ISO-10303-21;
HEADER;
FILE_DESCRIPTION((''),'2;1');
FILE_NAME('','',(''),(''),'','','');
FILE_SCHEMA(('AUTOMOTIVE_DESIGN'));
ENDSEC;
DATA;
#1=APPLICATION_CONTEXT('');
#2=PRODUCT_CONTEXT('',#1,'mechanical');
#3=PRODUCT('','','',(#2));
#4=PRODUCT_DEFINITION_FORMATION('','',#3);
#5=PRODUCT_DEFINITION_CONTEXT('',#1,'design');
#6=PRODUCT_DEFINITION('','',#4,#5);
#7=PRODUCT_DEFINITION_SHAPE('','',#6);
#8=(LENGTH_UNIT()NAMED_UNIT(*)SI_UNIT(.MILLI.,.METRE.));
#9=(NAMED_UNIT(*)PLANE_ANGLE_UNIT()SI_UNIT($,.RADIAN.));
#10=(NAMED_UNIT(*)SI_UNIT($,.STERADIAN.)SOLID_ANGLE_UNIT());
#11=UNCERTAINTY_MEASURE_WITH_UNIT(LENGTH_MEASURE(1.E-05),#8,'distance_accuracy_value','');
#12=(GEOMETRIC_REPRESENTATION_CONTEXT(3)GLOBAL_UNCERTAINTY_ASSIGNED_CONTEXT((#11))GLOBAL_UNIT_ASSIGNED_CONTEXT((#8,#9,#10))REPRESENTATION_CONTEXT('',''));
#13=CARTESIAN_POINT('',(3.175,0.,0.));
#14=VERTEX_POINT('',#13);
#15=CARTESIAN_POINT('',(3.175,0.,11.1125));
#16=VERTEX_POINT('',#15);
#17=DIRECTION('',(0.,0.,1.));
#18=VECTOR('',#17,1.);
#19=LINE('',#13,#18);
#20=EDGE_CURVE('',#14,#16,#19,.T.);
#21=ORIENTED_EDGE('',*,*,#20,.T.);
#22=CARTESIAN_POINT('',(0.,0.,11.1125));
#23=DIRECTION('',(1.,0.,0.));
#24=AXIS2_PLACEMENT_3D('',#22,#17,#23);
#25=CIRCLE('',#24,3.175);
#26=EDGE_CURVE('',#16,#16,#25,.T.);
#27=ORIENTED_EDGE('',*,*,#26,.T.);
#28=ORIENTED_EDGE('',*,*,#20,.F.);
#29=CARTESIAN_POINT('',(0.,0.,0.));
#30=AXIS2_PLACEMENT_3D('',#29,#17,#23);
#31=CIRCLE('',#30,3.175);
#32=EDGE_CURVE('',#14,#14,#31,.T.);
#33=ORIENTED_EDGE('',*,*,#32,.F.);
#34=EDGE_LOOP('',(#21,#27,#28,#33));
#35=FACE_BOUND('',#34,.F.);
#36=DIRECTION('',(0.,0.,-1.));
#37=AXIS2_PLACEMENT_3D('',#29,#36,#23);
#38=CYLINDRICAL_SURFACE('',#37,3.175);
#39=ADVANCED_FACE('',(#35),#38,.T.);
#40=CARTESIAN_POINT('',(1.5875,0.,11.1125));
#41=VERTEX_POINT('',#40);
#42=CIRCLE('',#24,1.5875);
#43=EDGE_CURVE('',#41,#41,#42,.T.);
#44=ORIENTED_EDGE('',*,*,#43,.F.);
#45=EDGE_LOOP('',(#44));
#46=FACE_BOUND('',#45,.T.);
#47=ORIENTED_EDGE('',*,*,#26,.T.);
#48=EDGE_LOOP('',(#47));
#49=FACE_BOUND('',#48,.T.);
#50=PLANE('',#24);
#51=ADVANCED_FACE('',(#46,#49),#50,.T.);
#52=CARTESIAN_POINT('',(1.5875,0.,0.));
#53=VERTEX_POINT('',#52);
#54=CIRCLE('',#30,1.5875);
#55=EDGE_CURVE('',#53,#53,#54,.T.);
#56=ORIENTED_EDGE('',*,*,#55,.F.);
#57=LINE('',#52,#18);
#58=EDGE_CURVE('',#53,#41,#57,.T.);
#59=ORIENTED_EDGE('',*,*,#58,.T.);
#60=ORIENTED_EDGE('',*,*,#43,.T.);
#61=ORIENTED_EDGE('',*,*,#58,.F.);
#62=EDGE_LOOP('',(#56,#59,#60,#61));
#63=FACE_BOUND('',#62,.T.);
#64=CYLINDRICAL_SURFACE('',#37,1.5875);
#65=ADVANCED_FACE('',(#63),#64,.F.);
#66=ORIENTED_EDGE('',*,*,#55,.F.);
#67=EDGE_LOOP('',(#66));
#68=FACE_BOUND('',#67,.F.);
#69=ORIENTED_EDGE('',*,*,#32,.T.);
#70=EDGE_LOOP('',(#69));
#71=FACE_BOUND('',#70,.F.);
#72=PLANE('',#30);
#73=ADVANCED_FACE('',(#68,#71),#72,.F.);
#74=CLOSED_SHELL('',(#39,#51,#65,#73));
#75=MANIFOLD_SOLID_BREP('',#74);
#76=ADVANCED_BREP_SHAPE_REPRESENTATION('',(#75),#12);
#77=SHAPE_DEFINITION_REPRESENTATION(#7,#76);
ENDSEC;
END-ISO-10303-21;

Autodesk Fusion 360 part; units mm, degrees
sketch "Sketch1" plane through (0, 0, 0) normal (0, 0, 1) x (1, 0, 0)
  circle A0 centre (0, 0) radius 3.175
  circle A1 centre (0, 0) radius 1.5875
  dimension "d1" = 6.35
  dimension "d2" = 3.175
extrude "Extrude1" add sketch "Sketch1" along normal blind 11.1125
